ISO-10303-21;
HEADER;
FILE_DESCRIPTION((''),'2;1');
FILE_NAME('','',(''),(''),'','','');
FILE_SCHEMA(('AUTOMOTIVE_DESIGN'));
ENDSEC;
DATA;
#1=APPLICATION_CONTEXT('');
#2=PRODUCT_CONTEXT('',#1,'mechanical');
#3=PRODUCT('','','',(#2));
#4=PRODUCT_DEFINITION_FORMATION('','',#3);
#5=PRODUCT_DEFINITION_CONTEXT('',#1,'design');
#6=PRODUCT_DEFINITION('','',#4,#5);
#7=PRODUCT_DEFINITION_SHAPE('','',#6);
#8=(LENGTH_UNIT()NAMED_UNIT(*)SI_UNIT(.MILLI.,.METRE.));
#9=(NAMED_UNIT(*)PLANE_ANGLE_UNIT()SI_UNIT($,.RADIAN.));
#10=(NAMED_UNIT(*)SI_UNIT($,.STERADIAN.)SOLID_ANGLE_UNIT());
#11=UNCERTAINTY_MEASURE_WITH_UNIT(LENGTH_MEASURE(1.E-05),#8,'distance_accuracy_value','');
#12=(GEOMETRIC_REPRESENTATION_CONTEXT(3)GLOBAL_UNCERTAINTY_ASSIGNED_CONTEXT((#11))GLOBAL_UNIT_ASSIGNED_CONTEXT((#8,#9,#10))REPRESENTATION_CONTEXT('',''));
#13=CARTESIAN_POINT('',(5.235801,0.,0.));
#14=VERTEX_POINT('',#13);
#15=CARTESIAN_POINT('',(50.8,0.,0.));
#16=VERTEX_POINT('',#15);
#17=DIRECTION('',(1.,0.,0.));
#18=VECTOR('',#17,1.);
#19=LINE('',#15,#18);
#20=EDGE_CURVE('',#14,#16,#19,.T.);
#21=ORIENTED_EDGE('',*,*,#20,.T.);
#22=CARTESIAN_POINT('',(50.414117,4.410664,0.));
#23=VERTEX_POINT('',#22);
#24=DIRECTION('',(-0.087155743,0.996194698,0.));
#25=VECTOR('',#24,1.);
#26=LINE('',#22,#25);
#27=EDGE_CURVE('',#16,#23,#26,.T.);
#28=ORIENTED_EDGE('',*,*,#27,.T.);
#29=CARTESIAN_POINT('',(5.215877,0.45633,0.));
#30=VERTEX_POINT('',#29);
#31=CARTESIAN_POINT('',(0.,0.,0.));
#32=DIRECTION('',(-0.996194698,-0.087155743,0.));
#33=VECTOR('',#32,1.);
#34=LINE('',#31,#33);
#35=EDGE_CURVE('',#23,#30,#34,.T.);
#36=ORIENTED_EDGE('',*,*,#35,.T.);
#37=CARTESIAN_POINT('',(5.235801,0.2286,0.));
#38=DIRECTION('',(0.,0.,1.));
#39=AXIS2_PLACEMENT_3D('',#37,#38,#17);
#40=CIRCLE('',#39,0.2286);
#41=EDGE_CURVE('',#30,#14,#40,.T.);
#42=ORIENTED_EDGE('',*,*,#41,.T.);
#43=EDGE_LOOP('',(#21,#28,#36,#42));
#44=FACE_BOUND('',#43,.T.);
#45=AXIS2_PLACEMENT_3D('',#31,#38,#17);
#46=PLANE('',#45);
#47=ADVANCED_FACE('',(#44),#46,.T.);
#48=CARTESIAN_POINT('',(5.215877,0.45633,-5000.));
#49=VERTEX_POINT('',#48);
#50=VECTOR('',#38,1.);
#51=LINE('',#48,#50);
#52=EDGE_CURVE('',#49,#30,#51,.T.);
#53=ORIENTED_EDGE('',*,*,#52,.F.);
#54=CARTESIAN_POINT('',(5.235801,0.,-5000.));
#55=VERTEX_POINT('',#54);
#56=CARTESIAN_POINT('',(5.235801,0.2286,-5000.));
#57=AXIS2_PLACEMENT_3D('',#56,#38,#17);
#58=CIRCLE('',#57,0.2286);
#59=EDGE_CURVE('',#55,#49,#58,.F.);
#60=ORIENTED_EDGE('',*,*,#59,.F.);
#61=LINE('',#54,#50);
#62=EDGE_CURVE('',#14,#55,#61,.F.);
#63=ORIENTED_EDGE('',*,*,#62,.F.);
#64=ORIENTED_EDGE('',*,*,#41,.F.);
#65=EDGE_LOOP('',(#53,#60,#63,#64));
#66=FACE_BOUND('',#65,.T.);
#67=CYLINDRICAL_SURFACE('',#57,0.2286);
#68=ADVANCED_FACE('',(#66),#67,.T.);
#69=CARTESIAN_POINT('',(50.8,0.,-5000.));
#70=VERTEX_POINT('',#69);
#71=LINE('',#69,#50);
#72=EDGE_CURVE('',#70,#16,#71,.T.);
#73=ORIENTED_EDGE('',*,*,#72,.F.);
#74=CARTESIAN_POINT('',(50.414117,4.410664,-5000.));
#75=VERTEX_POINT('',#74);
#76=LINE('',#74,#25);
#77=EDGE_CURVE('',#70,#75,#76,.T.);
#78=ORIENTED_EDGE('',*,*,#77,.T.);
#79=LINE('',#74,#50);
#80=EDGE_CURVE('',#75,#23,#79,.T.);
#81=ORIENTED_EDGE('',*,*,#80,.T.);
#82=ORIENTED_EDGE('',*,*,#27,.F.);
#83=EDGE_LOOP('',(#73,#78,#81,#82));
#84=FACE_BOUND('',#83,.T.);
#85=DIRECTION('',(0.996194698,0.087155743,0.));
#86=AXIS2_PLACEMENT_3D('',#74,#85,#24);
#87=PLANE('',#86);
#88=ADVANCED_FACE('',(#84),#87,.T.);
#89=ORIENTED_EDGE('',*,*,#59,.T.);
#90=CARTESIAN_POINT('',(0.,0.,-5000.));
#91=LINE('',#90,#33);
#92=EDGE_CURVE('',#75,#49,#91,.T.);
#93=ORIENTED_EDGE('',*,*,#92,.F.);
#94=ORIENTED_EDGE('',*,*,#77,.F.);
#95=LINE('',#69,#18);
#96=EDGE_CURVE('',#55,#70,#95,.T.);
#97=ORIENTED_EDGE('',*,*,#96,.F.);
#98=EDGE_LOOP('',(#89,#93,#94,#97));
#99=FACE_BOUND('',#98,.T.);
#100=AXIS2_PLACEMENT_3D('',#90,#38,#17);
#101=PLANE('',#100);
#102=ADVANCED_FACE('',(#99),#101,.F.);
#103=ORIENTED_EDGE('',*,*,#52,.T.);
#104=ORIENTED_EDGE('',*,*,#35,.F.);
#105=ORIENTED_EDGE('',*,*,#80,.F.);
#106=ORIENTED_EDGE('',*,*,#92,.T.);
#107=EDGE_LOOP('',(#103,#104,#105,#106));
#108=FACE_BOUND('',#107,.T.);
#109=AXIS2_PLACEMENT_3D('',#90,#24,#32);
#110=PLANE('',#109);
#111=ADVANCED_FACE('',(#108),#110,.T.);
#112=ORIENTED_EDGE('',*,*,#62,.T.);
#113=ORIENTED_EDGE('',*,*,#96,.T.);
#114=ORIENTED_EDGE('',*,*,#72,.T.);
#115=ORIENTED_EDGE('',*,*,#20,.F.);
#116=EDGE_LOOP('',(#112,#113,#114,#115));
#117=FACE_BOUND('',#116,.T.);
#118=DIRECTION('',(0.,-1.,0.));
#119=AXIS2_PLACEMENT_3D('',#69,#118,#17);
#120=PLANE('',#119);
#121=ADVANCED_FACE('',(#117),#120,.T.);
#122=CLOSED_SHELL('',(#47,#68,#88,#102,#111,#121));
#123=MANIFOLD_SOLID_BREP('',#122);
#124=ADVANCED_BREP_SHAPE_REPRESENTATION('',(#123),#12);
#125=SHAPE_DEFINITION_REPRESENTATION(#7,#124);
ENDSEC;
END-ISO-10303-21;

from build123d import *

# Parameters (mm, degrees)
BOSS_EXTRUDE1_DEPTH = 5000
FILLET1_R           = 0.2286


with BuildPart() as part:
    # Sketch1 → Boss-Extrude1 (new body)
    with BuildSketch(Plane.XY):
        Polygon((0, 0), (50.414116927, 4.410663713), (50.8, 0), align=None)
    extrude(amount=-BOSS_EXTRUDE1_DEPTH)

    # Fillet1
    fillet1_edges = [part.edges().sort_by_distance(p)[0] for p in [
        (0, 0, -2500),
    ]]
    fillet(fillet1_edges, radius=FILLET1_R)


solid = part.part
